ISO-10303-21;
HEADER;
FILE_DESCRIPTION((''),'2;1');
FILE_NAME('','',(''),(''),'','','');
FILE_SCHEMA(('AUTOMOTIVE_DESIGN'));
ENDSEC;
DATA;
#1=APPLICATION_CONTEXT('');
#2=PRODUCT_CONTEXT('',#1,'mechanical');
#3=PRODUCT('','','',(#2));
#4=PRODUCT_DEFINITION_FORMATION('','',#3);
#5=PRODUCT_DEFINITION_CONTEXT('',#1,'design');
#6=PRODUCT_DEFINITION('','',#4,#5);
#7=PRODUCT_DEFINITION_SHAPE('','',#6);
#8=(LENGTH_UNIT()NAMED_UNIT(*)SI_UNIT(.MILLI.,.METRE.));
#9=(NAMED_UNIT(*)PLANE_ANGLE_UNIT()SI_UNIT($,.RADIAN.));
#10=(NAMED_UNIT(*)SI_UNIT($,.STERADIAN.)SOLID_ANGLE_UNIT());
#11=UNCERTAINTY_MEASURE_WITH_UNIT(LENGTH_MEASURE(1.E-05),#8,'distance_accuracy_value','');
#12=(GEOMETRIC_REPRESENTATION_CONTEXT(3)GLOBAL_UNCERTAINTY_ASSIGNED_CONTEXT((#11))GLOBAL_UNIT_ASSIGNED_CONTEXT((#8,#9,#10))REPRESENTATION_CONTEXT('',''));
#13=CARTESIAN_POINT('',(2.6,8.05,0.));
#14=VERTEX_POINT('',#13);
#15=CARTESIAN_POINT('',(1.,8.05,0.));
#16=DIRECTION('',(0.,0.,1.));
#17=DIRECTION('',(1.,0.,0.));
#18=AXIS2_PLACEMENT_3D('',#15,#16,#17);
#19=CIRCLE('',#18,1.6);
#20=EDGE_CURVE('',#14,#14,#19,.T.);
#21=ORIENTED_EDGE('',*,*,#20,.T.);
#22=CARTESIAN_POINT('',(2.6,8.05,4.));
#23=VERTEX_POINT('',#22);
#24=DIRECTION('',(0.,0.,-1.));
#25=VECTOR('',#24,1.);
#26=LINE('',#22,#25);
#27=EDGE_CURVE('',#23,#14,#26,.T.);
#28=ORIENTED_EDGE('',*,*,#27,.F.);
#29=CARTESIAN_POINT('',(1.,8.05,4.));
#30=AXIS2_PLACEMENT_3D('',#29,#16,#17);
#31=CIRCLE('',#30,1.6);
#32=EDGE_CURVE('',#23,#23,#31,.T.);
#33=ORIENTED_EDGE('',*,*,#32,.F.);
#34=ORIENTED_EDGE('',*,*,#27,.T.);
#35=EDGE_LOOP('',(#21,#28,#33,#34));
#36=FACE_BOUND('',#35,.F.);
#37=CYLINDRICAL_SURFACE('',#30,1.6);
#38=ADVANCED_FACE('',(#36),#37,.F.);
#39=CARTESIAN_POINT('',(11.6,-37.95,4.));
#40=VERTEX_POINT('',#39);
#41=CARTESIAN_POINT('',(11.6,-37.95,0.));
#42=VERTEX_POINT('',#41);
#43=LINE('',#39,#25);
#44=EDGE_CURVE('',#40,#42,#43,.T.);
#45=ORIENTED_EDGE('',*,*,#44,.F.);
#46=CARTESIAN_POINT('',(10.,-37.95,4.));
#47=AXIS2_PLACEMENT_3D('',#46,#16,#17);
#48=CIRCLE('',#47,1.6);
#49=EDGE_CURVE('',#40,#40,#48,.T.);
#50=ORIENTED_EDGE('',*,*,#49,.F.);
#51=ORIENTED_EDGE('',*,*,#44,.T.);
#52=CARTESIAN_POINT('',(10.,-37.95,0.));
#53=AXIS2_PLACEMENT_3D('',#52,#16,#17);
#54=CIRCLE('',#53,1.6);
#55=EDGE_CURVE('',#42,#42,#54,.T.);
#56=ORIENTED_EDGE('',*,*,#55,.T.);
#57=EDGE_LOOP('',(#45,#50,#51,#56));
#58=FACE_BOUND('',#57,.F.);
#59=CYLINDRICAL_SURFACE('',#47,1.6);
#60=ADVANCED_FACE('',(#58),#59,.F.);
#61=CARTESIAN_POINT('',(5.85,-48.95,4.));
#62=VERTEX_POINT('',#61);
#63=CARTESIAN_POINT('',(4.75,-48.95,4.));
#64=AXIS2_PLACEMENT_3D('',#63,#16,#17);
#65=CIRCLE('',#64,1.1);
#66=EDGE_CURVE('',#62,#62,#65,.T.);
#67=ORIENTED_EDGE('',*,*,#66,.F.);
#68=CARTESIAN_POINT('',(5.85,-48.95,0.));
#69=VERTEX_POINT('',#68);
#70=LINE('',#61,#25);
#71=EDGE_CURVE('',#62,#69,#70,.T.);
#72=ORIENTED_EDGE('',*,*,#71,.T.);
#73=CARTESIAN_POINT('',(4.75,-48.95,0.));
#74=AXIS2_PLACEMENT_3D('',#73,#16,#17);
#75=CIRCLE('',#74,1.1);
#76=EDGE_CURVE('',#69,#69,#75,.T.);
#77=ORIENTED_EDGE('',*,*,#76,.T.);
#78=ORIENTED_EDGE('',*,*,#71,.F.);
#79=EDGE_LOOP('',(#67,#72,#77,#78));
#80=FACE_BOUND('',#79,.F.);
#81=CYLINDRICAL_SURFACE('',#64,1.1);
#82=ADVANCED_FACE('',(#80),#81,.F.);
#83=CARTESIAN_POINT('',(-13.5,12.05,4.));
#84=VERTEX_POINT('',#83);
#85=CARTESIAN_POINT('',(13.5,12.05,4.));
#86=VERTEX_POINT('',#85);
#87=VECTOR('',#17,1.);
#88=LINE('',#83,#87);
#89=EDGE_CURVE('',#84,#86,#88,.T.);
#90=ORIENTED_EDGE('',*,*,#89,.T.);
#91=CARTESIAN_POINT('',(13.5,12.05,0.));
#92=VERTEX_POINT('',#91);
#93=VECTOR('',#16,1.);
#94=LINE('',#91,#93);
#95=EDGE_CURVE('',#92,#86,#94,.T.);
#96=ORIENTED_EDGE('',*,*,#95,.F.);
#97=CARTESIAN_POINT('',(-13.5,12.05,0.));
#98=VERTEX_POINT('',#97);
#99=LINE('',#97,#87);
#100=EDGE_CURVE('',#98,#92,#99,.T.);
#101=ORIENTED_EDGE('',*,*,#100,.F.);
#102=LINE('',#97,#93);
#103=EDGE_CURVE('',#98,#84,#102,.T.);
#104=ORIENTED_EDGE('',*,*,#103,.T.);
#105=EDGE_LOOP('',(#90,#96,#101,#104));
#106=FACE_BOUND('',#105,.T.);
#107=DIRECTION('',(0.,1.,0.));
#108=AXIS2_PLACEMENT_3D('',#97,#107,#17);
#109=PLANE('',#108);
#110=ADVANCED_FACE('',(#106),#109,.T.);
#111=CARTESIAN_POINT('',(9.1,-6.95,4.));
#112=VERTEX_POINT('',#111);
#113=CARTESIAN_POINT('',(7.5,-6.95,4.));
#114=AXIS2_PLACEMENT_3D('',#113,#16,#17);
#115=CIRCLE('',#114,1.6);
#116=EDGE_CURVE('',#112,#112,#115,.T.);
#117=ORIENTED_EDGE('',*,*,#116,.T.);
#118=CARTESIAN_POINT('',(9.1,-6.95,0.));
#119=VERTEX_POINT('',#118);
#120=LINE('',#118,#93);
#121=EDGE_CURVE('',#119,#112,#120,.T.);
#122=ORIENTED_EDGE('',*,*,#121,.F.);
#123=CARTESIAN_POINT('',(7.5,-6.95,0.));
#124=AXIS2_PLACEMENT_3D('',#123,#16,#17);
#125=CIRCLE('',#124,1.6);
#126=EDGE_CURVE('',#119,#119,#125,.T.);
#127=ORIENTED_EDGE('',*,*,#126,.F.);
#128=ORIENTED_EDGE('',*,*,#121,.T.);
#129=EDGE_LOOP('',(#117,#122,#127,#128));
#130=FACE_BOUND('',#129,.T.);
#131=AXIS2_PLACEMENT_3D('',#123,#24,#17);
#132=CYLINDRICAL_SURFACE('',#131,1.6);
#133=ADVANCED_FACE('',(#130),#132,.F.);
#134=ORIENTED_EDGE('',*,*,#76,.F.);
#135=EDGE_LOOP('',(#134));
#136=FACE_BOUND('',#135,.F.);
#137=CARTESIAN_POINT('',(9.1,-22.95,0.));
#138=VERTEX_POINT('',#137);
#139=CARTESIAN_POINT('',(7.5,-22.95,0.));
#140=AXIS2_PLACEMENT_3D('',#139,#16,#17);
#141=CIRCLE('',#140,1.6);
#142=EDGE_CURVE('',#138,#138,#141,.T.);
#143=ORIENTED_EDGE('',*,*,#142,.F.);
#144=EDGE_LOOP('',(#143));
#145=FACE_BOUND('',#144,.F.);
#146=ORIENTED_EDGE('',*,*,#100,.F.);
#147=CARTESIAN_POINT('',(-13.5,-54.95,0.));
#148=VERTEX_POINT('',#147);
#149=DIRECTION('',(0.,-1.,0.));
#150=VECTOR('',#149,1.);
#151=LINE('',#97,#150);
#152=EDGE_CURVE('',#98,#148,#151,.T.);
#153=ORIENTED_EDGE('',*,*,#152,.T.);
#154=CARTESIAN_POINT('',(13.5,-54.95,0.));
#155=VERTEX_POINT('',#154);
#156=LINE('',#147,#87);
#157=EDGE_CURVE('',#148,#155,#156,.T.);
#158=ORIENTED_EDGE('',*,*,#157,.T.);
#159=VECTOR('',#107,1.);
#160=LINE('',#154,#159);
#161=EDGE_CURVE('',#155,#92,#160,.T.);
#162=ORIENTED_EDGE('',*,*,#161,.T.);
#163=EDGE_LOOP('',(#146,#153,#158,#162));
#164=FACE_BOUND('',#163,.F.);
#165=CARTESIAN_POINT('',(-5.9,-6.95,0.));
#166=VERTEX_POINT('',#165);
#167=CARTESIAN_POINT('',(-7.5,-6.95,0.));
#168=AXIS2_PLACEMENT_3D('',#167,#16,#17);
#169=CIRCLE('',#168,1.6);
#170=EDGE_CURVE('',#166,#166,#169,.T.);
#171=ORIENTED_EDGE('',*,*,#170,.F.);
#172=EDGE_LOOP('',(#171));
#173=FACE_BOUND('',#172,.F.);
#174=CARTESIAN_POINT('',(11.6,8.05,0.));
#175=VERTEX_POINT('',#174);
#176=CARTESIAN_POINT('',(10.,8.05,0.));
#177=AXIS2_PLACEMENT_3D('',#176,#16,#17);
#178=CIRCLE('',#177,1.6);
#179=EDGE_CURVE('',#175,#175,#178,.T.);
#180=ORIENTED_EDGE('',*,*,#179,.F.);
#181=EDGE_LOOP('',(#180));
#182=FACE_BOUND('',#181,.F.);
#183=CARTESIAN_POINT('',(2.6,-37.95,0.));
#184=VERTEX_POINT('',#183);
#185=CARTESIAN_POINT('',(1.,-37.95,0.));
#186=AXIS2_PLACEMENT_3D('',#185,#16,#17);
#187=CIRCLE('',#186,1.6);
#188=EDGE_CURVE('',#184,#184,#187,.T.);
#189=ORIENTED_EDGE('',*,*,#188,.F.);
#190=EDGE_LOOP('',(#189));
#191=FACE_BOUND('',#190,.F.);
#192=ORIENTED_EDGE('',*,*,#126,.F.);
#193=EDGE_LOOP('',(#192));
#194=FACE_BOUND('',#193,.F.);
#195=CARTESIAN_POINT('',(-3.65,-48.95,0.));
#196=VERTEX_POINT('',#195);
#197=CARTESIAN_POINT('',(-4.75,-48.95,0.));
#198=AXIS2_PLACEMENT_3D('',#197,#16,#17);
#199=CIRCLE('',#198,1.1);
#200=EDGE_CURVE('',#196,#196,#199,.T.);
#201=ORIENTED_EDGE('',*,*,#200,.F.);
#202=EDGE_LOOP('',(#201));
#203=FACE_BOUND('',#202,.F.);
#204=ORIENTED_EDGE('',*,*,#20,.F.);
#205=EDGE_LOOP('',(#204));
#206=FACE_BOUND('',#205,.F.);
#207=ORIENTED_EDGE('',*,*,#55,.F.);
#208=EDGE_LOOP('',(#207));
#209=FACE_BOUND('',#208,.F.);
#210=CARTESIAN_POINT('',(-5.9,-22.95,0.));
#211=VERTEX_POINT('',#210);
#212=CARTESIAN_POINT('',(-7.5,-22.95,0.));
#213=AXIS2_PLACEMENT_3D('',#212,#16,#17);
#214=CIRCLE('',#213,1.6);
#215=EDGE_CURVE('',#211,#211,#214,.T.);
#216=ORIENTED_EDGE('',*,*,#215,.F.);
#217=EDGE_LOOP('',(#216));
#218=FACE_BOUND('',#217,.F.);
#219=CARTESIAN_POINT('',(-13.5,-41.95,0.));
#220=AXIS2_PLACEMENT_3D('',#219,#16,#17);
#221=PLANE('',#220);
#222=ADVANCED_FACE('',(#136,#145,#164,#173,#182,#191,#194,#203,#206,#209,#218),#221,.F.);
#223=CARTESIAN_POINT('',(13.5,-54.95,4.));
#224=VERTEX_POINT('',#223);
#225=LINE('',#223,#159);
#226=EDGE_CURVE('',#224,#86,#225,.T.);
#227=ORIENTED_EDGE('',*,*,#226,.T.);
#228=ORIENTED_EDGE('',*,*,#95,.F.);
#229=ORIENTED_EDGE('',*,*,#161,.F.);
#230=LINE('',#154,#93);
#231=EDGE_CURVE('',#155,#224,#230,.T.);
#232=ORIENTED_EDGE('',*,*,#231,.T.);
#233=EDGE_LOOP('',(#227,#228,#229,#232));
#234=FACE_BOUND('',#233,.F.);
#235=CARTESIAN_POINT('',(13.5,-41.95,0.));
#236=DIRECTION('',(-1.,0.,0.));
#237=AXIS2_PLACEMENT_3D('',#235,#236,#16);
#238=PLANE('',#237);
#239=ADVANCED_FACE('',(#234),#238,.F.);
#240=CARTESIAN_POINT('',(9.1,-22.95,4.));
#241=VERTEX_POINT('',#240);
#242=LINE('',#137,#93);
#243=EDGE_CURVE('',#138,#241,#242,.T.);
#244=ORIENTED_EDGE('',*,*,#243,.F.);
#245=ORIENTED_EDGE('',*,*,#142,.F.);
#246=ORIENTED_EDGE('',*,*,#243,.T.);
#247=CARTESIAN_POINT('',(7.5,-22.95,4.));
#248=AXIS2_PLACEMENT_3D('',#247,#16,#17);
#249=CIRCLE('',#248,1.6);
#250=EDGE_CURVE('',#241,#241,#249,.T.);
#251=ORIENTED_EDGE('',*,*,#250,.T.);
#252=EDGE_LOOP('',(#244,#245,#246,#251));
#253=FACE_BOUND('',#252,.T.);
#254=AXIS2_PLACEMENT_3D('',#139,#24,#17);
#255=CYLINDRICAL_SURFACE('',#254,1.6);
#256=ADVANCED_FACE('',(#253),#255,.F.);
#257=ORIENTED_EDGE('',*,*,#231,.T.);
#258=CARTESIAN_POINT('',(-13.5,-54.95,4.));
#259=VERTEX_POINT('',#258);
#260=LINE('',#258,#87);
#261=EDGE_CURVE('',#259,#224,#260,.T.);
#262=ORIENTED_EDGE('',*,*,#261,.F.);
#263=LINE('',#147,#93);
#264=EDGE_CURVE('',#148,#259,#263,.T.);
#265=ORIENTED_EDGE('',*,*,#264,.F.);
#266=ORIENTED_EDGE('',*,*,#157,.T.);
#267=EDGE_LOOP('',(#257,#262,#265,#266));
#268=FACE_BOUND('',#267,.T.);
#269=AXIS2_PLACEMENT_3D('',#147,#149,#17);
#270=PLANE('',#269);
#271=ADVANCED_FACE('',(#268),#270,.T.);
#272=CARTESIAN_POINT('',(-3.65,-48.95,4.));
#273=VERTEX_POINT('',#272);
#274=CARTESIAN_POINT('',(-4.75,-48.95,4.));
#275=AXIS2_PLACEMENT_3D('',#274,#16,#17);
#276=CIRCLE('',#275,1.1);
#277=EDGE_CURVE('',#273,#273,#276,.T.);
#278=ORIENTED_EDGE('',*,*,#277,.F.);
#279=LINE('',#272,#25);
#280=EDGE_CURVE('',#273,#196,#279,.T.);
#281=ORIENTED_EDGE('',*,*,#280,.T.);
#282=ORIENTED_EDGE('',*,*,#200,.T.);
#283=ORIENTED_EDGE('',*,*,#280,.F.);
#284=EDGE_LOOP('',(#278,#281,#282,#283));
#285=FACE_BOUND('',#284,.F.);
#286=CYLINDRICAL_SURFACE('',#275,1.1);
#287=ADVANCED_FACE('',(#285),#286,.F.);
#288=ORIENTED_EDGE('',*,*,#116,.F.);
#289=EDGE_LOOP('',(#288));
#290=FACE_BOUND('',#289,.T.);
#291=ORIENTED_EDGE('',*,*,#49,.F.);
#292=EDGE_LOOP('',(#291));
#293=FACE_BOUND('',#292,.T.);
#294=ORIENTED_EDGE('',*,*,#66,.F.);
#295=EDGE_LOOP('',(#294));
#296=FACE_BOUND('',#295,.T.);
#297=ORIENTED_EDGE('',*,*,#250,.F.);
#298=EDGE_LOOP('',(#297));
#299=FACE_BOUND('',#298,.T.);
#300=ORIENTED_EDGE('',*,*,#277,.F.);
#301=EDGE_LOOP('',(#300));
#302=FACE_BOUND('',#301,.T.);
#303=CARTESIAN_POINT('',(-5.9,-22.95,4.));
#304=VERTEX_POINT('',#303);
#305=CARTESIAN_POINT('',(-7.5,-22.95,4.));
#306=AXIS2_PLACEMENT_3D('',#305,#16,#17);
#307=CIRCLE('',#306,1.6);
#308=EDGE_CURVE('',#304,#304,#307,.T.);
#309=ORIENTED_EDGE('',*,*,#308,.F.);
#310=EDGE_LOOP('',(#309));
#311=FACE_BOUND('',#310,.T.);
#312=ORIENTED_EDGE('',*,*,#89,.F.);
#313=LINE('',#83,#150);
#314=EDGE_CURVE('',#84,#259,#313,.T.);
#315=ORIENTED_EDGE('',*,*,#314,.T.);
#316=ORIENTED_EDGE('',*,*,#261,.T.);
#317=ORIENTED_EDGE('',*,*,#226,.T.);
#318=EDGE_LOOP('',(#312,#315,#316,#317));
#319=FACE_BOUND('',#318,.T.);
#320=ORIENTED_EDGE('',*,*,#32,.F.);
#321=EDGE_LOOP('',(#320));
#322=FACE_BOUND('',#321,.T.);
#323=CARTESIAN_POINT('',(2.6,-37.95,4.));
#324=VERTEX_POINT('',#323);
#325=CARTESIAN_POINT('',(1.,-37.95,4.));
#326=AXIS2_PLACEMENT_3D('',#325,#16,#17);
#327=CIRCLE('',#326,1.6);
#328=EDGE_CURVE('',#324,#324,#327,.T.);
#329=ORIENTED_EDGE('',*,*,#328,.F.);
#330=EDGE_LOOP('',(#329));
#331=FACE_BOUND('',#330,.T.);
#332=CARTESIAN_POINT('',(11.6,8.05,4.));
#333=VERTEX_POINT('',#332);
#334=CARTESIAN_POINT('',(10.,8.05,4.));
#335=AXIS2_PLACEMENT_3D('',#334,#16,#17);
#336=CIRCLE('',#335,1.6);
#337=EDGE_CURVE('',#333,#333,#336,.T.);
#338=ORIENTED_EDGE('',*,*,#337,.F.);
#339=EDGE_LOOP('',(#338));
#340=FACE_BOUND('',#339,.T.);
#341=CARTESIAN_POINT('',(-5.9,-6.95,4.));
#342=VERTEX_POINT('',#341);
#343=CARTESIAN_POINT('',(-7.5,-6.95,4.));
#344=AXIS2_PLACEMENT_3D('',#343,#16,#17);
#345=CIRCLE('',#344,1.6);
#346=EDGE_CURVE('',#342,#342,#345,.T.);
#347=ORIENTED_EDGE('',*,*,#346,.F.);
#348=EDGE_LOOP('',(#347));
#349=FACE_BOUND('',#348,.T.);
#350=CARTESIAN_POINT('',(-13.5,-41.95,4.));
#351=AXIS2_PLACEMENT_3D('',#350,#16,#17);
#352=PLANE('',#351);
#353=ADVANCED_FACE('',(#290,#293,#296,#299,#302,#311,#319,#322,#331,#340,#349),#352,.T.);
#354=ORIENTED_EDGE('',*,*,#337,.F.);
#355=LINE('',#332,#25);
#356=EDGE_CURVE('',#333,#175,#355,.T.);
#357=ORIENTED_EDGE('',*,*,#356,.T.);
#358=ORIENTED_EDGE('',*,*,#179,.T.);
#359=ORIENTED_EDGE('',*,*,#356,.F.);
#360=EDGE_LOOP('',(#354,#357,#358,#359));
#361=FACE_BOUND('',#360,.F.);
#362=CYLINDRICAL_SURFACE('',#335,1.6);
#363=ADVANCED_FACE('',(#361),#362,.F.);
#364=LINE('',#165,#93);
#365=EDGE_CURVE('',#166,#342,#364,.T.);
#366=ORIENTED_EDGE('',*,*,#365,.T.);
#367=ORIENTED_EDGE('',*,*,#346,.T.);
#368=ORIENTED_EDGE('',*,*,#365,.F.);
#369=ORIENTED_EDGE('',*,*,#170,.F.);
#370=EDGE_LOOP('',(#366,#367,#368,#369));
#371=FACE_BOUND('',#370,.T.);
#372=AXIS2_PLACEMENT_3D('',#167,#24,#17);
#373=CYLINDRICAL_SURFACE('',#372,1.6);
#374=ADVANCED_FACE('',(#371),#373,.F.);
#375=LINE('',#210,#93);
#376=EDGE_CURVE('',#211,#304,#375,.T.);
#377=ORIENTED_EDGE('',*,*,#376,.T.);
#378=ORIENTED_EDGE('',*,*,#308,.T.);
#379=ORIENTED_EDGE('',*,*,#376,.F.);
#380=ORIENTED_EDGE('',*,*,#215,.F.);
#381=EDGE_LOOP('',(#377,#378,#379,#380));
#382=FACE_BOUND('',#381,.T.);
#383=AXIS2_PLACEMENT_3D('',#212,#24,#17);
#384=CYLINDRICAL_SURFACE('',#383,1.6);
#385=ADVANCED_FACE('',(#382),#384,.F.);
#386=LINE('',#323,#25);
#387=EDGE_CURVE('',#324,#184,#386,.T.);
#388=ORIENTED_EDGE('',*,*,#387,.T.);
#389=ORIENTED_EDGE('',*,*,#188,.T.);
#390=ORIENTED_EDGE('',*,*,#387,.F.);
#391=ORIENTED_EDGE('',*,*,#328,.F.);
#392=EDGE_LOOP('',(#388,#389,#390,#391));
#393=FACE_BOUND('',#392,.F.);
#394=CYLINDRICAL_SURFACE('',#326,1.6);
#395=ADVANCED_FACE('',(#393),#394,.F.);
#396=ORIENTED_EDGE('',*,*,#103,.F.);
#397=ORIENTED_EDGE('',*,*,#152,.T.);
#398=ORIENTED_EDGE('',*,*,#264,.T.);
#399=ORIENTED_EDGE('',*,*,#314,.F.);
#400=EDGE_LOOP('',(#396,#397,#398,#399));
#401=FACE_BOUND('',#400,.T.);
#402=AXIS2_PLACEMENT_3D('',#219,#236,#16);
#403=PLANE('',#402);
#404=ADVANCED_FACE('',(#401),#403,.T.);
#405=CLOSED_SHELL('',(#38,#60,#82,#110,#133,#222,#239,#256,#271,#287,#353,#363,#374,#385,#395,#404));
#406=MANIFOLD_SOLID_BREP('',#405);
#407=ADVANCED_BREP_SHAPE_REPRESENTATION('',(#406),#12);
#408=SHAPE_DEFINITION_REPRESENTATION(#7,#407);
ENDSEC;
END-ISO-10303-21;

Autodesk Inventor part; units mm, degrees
ref_plane "YZ Plane" through (0, 0, 0) normal (1, 0, 0) x (0, 1, 0)
ref_plane "XZ Plane" through (0, 0, 0) normal (0, 1, 0) x (-1, 0, 0)
ref_plane "XY Plane" through (0, 0, 0) normal (0, 0, 1) x (1, 0, 0)
sketch "Эскиз1" plane through (0, 0, 0) normal (0, 0, 1) x (1, 0, 0)
  circle A0 centre (-7.5, -6.95) radius 1.5 construction
  circle A1 centre (7.5, -6.95) radius 1.5 construction
  circle A2 centre (7.5, -22.95) radius 1.5 construction
  circle A3 centre (-7.5, -22.95) radius 1.5 construction
  circle A4 centre (-7.5, -6.95) radius 1.6
  circle A5 centre (7.5, -6.95) radius 1.6
  circle A6 centre (7.5, -22.95) radius 1.6
  circle A7 centre (-7.5, -22.95) radius 1.6
  line L0 (9, 4.1) -> (-9, 4.1) construction
  line L1 (9, -34) -> (-9, -34) construction
  line L2 (-13.5, 12.05) -> (13.5, 12.05)
  line L3 (13.5, 12.05) -> (13.5, -41.95)
  line L4 (13.5, -41.95) -> (-13.5, -41.95)
  line L5 (-13.5, -41.95) -> (-13.5, 12.05)
  line L6 (-7.5, -6.95) -> (-7.5, 12.05) construction
  line L7 (-7.5, -22.95) -> (-7.5, -41.95) construction
  point P0 (0, 0)
  dimension "d0" = 3.2
  dimension "d1" = 3.2
  dimension "d2" = 3.2
  dimension "d3" = 3.2
  dimension "d4" = 6
  dimension "d5" = 6
  dimension "d8" = 54
extrude "Выдавливание1" add sketch "Эскиз1" along normal blind 4
sketch "Эскиз3" plane through (0, 0, 4) normal (0, 0, 1) x (1, 0, 0)
  circle A0 centre (1, -37.95) radius 2.1 construction
  circle A1 centre (10, -37.95) radius 2.1 construction
  circle A2 centre (1, 8.05) radius 2.1 construction
  circle A3 centre (10, 8.05) radius 2.1 construction
  circle A4 centre (1, -37.95) radius 1.6
  circle A5 centre (10, -37.95) radius 1.6
  circle A6 centre (1, 8.05) radius 1.6
  circle A7 centre (10, 8.05) radius 1.6
  point P0 (0, 0)
  dimension "d9" = 3.2
  dimension "d10" = 3.2
  dimension "d11" = 3.2
  dimension "d12" = 3.2
extrude "Выдавливание2" cut sketch "Эскиз3" against normal blind 10
sketch "Эскиз4" plane through (-13.5, -41.95, 0) normal (0, -1, 0) x (1, 0, 0)
  line L0 (0, 4) -> (27, 4) projected
  line L1 (0, 0) -> (0, 4) projected
  line L2 (0, 0) -> (27, 0) projected
  line L3 (27, 0) -> (27, 4) projected
  point P0 (13.5, 0)
extrude "Выдавливание3" add sketch "Эскиз4" along normal blind 13
sketch "Эскиз5" plane through (0, 0, 4) normal (0, 0, 1) x (1, 0, 0)
  circle A0 centre (-4.75, -48.95) radius 1.1
  circle A1 centre (4.75, -48.95) radius 1.1
  line L0 (13.5, -54.95) -> (-13.5, -54.95) projected
  line L1 (-4.75, -48.95) -> (4.75, -48.95) construction
  line L2 (-13.5, -54.95) -> (13.5, -54.95) projected
  line L3 (0, -54.95) -> (0, -44.9409) construction
  point P0 (0, 0)
  point P1 (0, -48.95)
  dimension "d17" = 2.2
  dimension "d18" = 2.2
  dimension "d19" = 6
  dimension "d20" = 6
  dimension "d21" = 9.5
extrude "Выдавливание4" cut sketch "Эскиз5" against normal blind 13
properties part number "фанера_каретка" material "Древесина (береза)"
